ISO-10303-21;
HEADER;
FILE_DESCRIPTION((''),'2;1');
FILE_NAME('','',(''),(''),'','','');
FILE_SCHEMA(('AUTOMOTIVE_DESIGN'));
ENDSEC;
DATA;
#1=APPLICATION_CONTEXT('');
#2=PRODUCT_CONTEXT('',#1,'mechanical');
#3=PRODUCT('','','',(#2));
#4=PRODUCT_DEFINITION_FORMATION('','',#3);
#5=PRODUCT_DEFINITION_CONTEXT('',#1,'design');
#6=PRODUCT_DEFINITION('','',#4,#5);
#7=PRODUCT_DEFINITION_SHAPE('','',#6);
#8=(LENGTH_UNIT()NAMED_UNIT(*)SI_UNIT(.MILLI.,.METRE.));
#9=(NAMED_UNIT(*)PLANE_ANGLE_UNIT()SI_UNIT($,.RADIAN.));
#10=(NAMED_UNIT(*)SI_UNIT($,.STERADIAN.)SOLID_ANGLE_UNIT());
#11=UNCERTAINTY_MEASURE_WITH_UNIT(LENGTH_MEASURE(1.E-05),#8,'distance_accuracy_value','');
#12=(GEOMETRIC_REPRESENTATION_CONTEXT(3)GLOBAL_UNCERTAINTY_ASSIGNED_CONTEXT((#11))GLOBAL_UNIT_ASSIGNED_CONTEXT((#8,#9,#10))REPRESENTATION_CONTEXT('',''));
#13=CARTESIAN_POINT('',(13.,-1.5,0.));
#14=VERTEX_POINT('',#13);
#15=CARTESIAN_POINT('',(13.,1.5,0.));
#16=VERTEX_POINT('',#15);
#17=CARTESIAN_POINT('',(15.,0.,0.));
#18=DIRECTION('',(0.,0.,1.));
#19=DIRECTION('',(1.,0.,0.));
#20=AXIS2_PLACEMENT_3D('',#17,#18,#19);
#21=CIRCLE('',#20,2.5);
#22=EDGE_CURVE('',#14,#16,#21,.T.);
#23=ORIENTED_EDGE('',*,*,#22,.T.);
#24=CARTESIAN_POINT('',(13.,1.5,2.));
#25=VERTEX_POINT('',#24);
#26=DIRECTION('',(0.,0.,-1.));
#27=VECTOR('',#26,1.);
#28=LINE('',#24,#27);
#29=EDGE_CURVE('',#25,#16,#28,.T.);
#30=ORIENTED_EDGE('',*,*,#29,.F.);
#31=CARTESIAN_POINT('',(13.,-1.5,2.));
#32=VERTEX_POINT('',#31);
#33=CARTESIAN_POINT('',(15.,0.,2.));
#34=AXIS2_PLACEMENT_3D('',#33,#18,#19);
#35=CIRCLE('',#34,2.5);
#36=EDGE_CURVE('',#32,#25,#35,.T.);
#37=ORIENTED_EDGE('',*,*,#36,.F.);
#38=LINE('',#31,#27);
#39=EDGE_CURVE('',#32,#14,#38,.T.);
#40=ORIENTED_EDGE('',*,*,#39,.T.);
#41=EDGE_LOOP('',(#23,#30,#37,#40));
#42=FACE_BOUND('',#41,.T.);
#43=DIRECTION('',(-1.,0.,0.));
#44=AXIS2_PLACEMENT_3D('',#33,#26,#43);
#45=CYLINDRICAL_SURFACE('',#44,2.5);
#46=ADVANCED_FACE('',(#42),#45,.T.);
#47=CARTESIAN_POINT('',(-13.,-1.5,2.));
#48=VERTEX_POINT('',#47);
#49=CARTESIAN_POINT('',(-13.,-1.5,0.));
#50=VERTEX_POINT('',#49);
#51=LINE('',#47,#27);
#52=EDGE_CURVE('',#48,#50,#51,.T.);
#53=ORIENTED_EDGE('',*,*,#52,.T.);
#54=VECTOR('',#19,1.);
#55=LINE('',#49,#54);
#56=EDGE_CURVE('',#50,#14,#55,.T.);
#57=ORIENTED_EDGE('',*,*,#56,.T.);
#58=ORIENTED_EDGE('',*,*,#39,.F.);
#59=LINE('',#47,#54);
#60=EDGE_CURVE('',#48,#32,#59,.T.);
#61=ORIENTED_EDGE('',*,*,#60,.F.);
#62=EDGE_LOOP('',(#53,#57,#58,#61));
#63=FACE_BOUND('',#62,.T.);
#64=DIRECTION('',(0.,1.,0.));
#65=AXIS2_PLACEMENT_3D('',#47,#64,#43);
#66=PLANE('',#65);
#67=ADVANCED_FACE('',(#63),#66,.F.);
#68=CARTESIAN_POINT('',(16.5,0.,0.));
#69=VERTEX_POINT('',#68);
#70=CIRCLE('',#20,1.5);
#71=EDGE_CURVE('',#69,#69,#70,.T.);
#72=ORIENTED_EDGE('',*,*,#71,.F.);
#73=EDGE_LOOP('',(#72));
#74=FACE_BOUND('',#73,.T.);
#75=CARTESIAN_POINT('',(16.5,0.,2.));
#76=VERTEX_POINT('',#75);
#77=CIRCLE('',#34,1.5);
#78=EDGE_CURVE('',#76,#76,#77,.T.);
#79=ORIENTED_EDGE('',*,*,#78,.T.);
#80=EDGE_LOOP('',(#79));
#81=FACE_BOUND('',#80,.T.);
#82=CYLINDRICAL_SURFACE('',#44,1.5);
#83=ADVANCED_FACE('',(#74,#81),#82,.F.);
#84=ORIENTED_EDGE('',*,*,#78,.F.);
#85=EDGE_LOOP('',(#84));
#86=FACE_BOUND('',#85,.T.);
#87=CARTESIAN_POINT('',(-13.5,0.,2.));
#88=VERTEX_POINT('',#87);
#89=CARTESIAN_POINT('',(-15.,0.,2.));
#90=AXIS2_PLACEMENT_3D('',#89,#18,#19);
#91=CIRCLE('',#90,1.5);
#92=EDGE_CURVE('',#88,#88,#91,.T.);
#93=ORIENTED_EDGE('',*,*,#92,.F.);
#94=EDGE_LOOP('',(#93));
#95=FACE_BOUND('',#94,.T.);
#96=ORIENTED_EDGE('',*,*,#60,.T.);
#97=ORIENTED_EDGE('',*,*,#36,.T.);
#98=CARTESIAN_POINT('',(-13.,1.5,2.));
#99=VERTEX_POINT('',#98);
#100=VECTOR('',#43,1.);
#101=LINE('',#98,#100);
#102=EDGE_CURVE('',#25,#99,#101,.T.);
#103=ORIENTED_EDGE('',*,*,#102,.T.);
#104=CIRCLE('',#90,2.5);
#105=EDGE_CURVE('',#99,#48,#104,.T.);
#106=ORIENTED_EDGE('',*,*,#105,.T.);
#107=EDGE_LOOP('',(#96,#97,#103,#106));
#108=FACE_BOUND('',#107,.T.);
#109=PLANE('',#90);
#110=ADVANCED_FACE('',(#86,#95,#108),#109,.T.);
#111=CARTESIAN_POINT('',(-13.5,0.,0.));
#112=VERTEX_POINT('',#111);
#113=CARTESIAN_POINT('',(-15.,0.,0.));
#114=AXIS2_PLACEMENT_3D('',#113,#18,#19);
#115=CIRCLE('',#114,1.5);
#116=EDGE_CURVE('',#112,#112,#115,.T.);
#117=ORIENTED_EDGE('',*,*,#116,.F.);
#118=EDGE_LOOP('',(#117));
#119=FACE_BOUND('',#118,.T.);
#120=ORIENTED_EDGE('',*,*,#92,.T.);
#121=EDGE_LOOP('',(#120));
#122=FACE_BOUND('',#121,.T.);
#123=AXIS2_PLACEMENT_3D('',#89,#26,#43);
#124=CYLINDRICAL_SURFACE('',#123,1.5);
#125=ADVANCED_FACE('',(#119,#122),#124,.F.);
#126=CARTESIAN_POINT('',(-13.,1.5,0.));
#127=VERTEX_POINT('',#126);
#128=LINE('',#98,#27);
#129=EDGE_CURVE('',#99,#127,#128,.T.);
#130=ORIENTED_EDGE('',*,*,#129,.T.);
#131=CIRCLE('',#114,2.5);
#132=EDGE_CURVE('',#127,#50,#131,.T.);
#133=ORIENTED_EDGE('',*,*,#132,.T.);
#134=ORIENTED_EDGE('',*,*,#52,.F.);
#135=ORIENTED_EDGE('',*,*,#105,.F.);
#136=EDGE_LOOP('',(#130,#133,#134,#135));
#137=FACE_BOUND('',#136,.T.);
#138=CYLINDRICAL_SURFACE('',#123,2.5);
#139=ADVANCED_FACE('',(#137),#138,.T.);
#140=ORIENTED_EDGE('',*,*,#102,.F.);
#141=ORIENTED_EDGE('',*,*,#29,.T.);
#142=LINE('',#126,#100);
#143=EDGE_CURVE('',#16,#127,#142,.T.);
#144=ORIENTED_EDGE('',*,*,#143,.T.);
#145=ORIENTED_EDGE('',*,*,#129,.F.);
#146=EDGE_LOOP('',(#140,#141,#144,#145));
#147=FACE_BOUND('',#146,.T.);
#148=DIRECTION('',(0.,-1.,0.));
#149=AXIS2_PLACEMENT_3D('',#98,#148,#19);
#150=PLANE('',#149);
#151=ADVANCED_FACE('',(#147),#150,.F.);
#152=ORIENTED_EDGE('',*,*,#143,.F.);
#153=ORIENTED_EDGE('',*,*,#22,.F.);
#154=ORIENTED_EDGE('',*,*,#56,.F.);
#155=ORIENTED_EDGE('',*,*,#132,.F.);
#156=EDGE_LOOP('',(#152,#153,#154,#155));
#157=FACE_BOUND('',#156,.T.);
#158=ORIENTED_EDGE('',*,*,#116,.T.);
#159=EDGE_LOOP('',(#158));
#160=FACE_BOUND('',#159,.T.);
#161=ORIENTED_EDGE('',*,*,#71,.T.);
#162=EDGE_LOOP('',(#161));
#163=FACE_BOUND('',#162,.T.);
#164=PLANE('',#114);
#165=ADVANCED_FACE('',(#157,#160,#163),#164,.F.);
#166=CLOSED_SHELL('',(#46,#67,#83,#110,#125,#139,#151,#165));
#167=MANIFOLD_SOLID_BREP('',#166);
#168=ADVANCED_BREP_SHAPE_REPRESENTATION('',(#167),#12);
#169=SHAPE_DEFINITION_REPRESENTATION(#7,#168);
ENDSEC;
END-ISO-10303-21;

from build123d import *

# Parameters (mm, degrees)
SKETCH_1_R      = 1.5
EXTRUDE_1_DEPTH = 2


with BuildPart() as part:
    # 스케치1 → 보스-돌출1 (new body)
    with BuildSketch(Plane.XY):
        with BuildLine():
            Line((-13, -1.5), (13, -1.5))
            ThreePointArc((13, -1.5), (17.5, 0), (13, 1.5))
            Line((13, 1.5), (-13, 1.5))
            ThreePointArc((-13, 1.5), (-17.5, 0), (-13, -1.5))
        make_face()
        with Locations((-15, 0)):
            Circle(SKETCH_1_R, mode=Mode.SUBTRACT)
        with Locations((15, 0)):
            Circle(SKETCH_1_R, mode=Mode.SUBTRACT)
    extrude(amount=EXTRUDE_1_DEPTH)


solid = part.part
